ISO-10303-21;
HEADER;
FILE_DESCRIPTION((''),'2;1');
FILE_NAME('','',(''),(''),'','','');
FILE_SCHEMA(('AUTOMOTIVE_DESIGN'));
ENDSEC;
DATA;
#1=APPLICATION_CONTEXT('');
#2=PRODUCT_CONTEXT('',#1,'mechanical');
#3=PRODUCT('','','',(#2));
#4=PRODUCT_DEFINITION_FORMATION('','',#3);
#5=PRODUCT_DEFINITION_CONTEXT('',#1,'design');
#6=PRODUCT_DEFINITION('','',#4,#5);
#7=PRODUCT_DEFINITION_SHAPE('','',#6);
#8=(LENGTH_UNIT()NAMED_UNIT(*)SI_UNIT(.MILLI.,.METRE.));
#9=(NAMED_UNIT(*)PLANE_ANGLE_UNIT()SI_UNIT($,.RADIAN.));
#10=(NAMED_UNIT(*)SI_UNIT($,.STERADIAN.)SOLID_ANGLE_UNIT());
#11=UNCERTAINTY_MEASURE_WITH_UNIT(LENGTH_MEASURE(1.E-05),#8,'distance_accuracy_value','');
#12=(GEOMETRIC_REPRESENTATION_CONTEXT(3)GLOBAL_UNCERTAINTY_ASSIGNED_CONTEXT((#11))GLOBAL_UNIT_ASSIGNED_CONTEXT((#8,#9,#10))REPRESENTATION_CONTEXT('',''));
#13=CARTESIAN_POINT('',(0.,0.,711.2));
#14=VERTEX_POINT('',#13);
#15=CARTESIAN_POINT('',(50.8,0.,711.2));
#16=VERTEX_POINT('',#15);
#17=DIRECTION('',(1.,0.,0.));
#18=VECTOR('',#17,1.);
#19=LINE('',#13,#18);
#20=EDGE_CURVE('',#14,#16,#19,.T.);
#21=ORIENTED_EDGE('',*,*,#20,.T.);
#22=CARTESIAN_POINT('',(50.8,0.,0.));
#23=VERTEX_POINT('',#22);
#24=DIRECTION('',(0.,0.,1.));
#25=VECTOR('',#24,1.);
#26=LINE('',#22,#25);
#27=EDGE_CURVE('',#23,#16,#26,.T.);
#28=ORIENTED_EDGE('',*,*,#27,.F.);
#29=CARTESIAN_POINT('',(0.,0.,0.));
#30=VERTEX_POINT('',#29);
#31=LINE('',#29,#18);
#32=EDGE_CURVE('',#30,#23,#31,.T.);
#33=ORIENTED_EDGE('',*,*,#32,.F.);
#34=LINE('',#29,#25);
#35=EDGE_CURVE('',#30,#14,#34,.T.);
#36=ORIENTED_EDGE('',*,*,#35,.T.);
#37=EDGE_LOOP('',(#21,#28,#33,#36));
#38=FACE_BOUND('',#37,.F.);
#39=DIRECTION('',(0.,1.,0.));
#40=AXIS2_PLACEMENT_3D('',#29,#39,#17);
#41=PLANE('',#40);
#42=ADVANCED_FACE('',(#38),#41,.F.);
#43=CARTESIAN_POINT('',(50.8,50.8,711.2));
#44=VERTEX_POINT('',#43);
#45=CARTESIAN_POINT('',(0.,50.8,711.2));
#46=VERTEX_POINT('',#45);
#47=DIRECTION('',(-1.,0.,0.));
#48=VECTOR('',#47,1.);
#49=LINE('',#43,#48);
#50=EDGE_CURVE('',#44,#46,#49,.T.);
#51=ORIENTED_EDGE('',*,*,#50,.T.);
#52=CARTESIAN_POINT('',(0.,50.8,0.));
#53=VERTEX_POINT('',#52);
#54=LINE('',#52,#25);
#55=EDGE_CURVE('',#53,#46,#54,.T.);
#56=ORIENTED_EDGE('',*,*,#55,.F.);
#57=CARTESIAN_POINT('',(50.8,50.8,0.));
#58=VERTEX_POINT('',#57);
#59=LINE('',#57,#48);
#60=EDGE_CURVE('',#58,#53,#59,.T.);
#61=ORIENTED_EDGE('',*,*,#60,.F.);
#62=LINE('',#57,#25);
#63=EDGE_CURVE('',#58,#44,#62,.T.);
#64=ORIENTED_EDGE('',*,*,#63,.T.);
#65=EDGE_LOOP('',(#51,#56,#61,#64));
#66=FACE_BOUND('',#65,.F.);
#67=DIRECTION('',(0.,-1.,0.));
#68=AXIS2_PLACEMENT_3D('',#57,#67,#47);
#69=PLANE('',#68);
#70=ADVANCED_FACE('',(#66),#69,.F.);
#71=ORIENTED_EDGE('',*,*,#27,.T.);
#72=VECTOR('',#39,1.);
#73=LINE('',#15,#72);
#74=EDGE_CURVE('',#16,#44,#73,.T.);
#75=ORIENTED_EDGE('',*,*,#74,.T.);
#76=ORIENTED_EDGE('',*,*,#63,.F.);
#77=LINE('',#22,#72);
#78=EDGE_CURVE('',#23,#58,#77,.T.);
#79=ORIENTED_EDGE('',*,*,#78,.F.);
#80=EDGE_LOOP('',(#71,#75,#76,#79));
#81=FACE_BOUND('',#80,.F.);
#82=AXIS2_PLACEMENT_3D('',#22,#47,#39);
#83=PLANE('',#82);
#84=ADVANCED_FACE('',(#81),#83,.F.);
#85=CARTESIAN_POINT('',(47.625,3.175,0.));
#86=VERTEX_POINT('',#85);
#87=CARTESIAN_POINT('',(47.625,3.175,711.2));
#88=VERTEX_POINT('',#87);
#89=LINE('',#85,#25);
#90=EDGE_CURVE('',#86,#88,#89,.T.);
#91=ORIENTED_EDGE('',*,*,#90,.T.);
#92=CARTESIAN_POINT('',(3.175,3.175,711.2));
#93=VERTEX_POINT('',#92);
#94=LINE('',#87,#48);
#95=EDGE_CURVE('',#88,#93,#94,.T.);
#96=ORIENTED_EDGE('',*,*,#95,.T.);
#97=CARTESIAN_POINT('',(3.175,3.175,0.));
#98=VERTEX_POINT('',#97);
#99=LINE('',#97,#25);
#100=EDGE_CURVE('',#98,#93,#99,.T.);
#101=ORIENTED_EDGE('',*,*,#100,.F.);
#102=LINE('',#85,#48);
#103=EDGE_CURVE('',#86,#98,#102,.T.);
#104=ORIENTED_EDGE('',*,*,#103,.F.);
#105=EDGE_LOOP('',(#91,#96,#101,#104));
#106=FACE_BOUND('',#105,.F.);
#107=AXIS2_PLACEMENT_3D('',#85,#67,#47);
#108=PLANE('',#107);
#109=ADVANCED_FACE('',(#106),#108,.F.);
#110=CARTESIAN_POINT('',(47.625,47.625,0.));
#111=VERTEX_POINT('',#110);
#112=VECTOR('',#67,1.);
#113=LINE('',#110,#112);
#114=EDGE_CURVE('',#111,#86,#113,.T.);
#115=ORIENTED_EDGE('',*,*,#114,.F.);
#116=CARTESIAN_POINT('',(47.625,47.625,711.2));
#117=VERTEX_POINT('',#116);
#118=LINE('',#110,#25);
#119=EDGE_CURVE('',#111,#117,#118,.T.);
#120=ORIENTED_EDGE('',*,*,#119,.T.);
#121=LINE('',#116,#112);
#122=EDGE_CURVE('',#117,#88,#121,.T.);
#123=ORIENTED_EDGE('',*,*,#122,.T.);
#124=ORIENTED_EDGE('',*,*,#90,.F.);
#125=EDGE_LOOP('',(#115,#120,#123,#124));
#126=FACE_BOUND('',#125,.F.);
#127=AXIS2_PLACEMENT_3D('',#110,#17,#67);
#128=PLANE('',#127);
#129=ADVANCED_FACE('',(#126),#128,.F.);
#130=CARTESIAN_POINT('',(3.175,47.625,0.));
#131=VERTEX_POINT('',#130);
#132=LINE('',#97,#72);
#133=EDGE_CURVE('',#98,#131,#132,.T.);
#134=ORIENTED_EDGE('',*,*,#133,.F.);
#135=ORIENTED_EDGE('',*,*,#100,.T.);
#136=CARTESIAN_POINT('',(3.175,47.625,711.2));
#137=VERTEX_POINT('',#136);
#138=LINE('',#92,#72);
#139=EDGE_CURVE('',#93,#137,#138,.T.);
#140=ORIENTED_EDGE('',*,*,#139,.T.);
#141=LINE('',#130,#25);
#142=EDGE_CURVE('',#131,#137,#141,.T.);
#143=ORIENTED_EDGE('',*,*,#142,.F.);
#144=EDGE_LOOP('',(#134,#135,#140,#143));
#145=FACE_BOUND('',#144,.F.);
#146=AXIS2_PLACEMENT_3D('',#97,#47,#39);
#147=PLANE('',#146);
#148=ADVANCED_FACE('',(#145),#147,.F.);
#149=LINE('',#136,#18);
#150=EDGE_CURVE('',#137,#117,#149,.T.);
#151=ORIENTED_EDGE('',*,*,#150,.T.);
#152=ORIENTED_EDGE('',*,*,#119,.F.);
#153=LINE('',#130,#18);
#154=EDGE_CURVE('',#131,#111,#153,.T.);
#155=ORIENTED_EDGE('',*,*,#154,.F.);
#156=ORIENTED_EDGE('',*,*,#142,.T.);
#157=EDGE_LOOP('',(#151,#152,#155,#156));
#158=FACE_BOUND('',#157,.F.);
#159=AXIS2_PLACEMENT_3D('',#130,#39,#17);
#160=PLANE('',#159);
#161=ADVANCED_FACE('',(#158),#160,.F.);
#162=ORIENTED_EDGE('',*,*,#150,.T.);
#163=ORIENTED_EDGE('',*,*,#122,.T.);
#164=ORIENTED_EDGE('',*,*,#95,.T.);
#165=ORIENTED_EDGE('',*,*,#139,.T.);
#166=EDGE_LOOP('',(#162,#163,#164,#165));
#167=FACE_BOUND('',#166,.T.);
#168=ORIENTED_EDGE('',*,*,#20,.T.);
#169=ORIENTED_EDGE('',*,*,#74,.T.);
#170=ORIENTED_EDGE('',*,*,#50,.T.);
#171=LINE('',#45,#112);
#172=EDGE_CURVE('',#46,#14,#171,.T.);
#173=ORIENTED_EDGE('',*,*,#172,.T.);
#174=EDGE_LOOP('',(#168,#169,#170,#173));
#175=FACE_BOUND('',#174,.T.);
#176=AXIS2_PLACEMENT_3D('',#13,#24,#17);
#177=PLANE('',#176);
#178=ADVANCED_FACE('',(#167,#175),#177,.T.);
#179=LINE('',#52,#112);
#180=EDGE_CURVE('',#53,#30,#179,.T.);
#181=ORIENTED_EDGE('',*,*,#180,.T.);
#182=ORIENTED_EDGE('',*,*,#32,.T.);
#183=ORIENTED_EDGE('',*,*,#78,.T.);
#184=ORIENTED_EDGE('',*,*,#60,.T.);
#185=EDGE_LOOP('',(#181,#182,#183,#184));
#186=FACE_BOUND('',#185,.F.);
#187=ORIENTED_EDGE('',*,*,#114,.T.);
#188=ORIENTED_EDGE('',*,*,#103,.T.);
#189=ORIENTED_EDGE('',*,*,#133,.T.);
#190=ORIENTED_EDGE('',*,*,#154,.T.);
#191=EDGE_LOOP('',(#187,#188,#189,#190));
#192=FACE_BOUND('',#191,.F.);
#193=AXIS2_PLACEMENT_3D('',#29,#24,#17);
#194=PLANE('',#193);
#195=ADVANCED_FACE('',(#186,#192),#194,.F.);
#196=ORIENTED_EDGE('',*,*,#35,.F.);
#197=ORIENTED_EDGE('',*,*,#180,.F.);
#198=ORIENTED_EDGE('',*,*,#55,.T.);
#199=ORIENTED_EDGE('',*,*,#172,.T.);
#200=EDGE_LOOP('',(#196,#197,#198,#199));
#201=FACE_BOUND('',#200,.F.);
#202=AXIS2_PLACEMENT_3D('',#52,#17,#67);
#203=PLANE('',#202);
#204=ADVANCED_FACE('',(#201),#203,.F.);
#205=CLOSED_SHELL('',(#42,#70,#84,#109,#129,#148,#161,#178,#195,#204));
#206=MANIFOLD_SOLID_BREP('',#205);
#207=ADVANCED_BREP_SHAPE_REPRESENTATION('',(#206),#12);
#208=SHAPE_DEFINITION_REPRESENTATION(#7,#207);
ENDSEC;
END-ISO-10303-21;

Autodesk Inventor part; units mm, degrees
ref_plane "YZ Plane" through (0, 0, 0) normal (1, 0, 0) x (0, 1, 0)
ref_plane "XZ Plane" through (0, 0, 0) normal (0, 1, 0) x (-1, 0, 0)
ref_plane "XY Plane" through (0, 0, 0) normal (0, 0, 1) x (1, 0, 0)
sketch "Sketch1" plane through (0, 0, 0) normal (0, 0, 1) x (1, 0, 0)
  line L0 (0, 0) -> (50.8, 0)
  line L1 (50.8, 0) -> (50.8, 50.8)
  line L2 (50.8, 50.8) -> (0, 50.8)
  line L3 (0, 50.8) -> (0, 0)
  line L4 (3.175, 47.625) -> (47.625, 47.625)
  line L5 (47.625, 47.625) -> (47.625, 3.175)
  line L6 (47.625, 3.175) -> (3.175, 3.175)
  line L7 (3.175, 3.175) -> (3.175, 47.625)
  dimension "d0" = 50.8
  dimension "d1" = 50.8
  dimension "d2" = 3.175
extrude "Extrusion1" add sketch "Sketch1" along normal blind 711.2
properties part number "2x2x28"
